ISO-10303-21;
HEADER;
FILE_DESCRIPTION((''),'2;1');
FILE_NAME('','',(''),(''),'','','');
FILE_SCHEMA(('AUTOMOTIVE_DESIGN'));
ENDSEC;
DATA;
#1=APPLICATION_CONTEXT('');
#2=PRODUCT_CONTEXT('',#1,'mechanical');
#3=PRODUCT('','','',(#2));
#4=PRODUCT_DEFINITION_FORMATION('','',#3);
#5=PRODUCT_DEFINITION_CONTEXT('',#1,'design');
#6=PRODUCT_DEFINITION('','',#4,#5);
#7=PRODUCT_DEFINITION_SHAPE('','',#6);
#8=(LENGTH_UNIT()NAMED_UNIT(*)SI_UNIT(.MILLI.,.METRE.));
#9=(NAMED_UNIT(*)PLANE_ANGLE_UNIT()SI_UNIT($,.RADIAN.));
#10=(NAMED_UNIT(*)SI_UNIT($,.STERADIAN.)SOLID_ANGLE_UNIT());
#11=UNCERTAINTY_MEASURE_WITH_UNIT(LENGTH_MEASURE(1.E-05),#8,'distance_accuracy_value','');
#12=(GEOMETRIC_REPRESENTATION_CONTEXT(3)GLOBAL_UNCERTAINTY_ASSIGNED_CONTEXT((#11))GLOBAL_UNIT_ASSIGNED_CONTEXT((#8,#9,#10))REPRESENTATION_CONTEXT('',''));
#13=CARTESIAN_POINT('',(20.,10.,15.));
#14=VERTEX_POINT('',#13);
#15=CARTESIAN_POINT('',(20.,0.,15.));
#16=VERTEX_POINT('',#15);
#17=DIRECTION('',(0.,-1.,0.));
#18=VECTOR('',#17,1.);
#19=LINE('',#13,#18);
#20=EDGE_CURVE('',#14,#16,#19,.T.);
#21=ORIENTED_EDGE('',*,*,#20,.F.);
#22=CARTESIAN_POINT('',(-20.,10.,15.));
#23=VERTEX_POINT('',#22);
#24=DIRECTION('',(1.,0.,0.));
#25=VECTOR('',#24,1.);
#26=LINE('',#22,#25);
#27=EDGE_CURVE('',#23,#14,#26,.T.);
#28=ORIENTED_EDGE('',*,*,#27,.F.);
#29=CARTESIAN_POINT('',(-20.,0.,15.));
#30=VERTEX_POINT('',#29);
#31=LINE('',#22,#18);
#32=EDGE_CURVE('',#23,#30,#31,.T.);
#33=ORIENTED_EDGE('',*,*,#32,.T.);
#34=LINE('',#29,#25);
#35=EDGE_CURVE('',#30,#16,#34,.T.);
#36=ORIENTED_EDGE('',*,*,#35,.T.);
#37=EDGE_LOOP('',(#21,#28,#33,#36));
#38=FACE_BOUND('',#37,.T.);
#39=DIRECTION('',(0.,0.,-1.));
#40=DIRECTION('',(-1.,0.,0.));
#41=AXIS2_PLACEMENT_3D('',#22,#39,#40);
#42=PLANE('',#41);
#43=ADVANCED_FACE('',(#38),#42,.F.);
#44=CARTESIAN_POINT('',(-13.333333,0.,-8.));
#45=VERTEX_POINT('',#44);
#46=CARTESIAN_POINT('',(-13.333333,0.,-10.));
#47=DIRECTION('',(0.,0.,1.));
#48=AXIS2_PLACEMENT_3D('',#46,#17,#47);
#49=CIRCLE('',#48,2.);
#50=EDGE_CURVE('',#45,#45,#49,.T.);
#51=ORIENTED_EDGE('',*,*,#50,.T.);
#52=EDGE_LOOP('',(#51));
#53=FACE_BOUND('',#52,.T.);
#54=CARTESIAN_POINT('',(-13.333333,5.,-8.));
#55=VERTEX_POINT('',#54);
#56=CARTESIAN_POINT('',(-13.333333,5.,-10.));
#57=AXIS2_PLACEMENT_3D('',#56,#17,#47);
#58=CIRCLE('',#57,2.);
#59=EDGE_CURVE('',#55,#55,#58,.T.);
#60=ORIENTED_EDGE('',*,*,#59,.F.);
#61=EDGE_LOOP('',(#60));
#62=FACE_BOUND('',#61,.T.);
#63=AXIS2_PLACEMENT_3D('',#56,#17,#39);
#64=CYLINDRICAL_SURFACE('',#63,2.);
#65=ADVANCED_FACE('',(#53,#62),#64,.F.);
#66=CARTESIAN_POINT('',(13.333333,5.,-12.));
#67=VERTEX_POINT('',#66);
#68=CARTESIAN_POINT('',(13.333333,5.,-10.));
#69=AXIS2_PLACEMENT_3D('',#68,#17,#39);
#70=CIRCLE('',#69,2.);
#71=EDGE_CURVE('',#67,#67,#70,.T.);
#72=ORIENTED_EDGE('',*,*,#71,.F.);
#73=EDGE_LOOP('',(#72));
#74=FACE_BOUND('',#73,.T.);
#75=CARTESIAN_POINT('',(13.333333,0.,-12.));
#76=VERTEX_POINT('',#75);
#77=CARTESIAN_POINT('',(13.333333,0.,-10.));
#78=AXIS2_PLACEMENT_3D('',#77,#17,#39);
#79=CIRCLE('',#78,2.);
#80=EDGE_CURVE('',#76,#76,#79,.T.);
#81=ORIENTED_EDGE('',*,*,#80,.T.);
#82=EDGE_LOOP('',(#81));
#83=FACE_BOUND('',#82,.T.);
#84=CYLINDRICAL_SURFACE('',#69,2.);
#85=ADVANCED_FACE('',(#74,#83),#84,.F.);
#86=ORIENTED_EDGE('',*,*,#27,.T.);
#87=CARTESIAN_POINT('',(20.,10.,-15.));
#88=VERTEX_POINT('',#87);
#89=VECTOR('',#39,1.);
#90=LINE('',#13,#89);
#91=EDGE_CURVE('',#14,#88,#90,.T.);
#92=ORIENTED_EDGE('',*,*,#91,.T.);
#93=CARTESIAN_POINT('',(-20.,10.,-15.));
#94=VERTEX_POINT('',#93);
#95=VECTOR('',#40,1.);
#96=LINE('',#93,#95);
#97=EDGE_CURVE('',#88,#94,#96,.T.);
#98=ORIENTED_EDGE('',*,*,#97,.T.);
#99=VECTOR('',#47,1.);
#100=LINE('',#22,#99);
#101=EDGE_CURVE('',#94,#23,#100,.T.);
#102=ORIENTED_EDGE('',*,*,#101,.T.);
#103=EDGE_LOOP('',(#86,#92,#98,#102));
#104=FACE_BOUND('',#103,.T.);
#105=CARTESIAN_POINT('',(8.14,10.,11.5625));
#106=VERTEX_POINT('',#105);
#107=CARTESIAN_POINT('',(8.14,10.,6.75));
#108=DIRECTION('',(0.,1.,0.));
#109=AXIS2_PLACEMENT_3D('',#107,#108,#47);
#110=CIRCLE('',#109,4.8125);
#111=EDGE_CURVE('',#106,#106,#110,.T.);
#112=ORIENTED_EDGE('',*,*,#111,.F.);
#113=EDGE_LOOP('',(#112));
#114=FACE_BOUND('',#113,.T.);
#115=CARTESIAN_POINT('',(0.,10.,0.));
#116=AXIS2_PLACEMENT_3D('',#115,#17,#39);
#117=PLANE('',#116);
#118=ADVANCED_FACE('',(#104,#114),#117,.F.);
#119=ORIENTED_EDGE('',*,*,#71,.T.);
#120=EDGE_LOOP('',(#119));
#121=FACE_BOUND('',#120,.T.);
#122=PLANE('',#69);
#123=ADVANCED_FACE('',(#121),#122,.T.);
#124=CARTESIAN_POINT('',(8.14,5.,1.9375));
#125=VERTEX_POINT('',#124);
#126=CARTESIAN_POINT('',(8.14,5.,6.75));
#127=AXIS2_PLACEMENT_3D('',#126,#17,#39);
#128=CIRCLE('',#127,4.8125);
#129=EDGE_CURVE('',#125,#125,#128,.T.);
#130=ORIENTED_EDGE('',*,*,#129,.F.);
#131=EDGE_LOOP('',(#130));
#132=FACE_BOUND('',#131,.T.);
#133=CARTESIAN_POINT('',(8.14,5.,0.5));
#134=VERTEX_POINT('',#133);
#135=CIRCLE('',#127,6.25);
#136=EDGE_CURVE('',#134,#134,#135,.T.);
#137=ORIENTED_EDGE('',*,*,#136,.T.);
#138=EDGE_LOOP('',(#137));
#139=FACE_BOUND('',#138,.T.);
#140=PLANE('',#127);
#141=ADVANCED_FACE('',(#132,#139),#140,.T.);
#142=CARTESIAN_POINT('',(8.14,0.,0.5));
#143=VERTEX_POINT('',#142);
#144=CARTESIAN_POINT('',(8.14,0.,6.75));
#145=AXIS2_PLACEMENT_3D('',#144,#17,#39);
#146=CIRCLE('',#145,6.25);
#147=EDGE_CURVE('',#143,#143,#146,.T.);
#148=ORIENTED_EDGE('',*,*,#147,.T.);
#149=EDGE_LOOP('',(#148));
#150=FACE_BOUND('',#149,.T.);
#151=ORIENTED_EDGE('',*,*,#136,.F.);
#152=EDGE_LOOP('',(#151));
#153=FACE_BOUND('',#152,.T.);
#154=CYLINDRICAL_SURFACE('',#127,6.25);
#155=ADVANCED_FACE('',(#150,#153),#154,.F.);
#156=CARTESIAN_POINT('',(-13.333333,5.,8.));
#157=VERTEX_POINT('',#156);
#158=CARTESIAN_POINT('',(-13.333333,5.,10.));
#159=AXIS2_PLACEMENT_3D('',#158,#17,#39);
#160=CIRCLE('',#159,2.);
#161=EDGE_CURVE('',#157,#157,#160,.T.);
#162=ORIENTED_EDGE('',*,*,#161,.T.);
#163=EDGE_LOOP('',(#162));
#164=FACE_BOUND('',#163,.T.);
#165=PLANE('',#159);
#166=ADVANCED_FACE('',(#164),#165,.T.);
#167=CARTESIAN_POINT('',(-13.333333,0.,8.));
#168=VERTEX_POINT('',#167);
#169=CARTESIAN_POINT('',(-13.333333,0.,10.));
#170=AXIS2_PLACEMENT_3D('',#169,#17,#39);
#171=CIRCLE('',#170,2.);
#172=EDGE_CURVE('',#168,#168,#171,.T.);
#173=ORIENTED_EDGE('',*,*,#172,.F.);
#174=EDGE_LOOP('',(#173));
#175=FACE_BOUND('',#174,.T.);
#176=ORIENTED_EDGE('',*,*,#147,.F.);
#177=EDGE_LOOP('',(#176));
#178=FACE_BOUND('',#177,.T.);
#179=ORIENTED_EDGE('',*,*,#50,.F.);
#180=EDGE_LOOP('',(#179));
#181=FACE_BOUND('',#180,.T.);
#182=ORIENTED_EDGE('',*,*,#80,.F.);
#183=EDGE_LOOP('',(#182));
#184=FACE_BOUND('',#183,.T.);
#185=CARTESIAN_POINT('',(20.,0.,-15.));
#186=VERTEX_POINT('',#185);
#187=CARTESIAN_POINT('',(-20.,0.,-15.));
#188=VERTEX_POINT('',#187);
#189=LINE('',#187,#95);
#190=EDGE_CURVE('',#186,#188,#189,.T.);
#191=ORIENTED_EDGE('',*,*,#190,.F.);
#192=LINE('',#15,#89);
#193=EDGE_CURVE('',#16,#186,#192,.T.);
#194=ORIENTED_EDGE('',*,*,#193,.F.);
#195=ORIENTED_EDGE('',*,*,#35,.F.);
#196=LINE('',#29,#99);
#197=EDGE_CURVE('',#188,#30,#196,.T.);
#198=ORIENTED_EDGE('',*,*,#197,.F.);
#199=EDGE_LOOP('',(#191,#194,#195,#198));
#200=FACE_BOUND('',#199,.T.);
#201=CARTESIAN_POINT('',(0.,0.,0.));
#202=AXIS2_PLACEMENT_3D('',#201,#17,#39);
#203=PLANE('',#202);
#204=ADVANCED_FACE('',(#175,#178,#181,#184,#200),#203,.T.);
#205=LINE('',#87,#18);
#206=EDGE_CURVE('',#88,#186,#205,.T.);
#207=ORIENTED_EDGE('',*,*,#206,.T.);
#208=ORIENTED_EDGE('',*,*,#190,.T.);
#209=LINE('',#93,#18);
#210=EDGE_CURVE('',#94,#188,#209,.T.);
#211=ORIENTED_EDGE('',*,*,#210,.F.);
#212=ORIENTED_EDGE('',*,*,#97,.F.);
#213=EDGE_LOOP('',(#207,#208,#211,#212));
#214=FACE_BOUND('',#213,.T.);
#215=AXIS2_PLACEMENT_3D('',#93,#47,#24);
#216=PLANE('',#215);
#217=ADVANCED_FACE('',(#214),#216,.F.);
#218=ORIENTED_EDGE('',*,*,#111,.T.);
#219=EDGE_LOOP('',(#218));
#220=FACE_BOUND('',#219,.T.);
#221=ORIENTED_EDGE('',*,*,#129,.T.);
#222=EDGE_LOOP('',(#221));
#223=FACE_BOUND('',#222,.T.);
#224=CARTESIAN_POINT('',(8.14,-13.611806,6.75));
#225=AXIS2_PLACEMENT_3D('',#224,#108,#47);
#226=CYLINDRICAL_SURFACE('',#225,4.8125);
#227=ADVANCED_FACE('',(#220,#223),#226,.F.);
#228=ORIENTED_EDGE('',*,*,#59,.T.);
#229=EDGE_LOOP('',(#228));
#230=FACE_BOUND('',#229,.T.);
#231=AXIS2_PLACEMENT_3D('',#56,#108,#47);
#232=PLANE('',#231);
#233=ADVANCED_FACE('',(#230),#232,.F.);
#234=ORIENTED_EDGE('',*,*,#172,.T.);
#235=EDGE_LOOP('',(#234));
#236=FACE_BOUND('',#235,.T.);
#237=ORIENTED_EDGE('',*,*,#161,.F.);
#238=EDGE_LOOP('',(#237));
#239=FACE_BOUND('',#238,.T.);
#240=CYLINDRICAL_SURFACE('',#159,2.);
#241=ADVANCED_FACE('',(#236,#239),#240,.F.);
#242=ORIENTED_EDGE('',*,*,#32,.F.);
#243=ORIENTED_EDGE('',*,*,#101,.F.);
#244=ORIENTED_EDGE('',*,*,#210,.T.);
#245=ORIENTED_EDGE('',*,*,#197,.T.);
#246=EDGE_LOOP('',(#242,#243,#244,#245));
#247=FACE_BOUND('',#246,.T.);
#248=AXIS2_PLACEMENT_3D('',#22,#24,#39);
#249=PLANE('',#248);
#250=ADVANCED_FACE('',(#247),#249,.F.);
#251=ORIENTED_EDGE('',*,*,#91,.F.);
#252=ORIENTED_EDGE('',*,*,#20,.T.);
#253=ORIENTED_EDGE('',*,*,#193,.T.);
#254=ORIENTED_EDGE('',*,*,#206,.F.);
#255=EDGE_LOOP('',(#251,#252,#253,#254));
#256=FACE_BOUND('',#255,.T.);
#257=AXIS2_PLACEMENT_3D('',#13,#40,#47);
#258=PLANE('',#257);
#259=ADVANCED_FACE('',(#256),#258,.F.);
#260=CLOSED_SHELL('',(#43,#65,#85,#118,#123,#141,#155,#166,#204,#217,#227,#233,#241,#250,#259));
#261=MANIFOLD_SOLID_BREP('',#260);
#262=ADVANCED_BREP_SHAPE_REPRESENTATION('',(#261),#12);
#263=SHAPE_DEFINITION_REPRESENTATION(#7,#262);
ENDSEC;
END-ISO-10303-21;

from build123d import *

# Parameters (mm, degrees)
SKETCH1_W           = 40
SKETCH1_H           = 30
BOSS_EXTRUDE1_DEPTH = 10
SKETCH2_R           = 2
SKETCH2_R_2         = 6.25
CUT_EXTRUDE1_DEPTH  = 5
SKETCH3_R           = 4.8125
CUT_EXTRUDE2_DEPTH  = 10


with BuildPart() as part:
    # Sketch1 → Boss-Extrude1 (new body)
    with BuildSketch(Plane(origin=(0, 0, 0), x_dir=(1, 0, 0), z_dir=(0, 1, 0))):
        Rectangle(SKETCH1_W, SKETCH1_H)
    extrude(amount=BOSS_EXTRUDE1_DEPTH)

    # Sketch2 → Cut-Extrude1 (cut)
    with BuildSketch(Plane(origin=(0, 0, 0), x_dir=(-1, 0, 0), z_dir=(0, -1, 0))):
        with Locations(Location((13.333333333, -10, 0), (0, 0, 90))):
            Circle(SKETCH2_R)
        with Locations(Location((13.333333333, 10, 0), (0, 0, 270))):
            Circle(SKETCH2_R)
        with Locations(Location((-13.333333333, 10, 0), (0, 0, 90))):
            Circle(SKETCH2_R)
        with Locations(Location((-8.14, -6.75, 0), (0, 0, 90))):
            Circle(SKETCH2_R_2)
    extrude(amount=-CUT_EXTRUDE1_DEPTH, mode=Mode.SUBTRACT)

    # Sketch3 → Cut-Extrude2 (cut)
    with BuildSketch(Plane(origin=(0, 10, 0), x_dir=(1, 0, 0), z_dir=(0, 1, 0))):
        with Locations(Location((8.14, -6.75, 0), (0, 0, 270))):
            Circle(SKETCH3_R)
    extrude(amount=-CUT_EXTRUDE2_DEPTH, mode=Mode.SUBTRACT)


solid = part.part
